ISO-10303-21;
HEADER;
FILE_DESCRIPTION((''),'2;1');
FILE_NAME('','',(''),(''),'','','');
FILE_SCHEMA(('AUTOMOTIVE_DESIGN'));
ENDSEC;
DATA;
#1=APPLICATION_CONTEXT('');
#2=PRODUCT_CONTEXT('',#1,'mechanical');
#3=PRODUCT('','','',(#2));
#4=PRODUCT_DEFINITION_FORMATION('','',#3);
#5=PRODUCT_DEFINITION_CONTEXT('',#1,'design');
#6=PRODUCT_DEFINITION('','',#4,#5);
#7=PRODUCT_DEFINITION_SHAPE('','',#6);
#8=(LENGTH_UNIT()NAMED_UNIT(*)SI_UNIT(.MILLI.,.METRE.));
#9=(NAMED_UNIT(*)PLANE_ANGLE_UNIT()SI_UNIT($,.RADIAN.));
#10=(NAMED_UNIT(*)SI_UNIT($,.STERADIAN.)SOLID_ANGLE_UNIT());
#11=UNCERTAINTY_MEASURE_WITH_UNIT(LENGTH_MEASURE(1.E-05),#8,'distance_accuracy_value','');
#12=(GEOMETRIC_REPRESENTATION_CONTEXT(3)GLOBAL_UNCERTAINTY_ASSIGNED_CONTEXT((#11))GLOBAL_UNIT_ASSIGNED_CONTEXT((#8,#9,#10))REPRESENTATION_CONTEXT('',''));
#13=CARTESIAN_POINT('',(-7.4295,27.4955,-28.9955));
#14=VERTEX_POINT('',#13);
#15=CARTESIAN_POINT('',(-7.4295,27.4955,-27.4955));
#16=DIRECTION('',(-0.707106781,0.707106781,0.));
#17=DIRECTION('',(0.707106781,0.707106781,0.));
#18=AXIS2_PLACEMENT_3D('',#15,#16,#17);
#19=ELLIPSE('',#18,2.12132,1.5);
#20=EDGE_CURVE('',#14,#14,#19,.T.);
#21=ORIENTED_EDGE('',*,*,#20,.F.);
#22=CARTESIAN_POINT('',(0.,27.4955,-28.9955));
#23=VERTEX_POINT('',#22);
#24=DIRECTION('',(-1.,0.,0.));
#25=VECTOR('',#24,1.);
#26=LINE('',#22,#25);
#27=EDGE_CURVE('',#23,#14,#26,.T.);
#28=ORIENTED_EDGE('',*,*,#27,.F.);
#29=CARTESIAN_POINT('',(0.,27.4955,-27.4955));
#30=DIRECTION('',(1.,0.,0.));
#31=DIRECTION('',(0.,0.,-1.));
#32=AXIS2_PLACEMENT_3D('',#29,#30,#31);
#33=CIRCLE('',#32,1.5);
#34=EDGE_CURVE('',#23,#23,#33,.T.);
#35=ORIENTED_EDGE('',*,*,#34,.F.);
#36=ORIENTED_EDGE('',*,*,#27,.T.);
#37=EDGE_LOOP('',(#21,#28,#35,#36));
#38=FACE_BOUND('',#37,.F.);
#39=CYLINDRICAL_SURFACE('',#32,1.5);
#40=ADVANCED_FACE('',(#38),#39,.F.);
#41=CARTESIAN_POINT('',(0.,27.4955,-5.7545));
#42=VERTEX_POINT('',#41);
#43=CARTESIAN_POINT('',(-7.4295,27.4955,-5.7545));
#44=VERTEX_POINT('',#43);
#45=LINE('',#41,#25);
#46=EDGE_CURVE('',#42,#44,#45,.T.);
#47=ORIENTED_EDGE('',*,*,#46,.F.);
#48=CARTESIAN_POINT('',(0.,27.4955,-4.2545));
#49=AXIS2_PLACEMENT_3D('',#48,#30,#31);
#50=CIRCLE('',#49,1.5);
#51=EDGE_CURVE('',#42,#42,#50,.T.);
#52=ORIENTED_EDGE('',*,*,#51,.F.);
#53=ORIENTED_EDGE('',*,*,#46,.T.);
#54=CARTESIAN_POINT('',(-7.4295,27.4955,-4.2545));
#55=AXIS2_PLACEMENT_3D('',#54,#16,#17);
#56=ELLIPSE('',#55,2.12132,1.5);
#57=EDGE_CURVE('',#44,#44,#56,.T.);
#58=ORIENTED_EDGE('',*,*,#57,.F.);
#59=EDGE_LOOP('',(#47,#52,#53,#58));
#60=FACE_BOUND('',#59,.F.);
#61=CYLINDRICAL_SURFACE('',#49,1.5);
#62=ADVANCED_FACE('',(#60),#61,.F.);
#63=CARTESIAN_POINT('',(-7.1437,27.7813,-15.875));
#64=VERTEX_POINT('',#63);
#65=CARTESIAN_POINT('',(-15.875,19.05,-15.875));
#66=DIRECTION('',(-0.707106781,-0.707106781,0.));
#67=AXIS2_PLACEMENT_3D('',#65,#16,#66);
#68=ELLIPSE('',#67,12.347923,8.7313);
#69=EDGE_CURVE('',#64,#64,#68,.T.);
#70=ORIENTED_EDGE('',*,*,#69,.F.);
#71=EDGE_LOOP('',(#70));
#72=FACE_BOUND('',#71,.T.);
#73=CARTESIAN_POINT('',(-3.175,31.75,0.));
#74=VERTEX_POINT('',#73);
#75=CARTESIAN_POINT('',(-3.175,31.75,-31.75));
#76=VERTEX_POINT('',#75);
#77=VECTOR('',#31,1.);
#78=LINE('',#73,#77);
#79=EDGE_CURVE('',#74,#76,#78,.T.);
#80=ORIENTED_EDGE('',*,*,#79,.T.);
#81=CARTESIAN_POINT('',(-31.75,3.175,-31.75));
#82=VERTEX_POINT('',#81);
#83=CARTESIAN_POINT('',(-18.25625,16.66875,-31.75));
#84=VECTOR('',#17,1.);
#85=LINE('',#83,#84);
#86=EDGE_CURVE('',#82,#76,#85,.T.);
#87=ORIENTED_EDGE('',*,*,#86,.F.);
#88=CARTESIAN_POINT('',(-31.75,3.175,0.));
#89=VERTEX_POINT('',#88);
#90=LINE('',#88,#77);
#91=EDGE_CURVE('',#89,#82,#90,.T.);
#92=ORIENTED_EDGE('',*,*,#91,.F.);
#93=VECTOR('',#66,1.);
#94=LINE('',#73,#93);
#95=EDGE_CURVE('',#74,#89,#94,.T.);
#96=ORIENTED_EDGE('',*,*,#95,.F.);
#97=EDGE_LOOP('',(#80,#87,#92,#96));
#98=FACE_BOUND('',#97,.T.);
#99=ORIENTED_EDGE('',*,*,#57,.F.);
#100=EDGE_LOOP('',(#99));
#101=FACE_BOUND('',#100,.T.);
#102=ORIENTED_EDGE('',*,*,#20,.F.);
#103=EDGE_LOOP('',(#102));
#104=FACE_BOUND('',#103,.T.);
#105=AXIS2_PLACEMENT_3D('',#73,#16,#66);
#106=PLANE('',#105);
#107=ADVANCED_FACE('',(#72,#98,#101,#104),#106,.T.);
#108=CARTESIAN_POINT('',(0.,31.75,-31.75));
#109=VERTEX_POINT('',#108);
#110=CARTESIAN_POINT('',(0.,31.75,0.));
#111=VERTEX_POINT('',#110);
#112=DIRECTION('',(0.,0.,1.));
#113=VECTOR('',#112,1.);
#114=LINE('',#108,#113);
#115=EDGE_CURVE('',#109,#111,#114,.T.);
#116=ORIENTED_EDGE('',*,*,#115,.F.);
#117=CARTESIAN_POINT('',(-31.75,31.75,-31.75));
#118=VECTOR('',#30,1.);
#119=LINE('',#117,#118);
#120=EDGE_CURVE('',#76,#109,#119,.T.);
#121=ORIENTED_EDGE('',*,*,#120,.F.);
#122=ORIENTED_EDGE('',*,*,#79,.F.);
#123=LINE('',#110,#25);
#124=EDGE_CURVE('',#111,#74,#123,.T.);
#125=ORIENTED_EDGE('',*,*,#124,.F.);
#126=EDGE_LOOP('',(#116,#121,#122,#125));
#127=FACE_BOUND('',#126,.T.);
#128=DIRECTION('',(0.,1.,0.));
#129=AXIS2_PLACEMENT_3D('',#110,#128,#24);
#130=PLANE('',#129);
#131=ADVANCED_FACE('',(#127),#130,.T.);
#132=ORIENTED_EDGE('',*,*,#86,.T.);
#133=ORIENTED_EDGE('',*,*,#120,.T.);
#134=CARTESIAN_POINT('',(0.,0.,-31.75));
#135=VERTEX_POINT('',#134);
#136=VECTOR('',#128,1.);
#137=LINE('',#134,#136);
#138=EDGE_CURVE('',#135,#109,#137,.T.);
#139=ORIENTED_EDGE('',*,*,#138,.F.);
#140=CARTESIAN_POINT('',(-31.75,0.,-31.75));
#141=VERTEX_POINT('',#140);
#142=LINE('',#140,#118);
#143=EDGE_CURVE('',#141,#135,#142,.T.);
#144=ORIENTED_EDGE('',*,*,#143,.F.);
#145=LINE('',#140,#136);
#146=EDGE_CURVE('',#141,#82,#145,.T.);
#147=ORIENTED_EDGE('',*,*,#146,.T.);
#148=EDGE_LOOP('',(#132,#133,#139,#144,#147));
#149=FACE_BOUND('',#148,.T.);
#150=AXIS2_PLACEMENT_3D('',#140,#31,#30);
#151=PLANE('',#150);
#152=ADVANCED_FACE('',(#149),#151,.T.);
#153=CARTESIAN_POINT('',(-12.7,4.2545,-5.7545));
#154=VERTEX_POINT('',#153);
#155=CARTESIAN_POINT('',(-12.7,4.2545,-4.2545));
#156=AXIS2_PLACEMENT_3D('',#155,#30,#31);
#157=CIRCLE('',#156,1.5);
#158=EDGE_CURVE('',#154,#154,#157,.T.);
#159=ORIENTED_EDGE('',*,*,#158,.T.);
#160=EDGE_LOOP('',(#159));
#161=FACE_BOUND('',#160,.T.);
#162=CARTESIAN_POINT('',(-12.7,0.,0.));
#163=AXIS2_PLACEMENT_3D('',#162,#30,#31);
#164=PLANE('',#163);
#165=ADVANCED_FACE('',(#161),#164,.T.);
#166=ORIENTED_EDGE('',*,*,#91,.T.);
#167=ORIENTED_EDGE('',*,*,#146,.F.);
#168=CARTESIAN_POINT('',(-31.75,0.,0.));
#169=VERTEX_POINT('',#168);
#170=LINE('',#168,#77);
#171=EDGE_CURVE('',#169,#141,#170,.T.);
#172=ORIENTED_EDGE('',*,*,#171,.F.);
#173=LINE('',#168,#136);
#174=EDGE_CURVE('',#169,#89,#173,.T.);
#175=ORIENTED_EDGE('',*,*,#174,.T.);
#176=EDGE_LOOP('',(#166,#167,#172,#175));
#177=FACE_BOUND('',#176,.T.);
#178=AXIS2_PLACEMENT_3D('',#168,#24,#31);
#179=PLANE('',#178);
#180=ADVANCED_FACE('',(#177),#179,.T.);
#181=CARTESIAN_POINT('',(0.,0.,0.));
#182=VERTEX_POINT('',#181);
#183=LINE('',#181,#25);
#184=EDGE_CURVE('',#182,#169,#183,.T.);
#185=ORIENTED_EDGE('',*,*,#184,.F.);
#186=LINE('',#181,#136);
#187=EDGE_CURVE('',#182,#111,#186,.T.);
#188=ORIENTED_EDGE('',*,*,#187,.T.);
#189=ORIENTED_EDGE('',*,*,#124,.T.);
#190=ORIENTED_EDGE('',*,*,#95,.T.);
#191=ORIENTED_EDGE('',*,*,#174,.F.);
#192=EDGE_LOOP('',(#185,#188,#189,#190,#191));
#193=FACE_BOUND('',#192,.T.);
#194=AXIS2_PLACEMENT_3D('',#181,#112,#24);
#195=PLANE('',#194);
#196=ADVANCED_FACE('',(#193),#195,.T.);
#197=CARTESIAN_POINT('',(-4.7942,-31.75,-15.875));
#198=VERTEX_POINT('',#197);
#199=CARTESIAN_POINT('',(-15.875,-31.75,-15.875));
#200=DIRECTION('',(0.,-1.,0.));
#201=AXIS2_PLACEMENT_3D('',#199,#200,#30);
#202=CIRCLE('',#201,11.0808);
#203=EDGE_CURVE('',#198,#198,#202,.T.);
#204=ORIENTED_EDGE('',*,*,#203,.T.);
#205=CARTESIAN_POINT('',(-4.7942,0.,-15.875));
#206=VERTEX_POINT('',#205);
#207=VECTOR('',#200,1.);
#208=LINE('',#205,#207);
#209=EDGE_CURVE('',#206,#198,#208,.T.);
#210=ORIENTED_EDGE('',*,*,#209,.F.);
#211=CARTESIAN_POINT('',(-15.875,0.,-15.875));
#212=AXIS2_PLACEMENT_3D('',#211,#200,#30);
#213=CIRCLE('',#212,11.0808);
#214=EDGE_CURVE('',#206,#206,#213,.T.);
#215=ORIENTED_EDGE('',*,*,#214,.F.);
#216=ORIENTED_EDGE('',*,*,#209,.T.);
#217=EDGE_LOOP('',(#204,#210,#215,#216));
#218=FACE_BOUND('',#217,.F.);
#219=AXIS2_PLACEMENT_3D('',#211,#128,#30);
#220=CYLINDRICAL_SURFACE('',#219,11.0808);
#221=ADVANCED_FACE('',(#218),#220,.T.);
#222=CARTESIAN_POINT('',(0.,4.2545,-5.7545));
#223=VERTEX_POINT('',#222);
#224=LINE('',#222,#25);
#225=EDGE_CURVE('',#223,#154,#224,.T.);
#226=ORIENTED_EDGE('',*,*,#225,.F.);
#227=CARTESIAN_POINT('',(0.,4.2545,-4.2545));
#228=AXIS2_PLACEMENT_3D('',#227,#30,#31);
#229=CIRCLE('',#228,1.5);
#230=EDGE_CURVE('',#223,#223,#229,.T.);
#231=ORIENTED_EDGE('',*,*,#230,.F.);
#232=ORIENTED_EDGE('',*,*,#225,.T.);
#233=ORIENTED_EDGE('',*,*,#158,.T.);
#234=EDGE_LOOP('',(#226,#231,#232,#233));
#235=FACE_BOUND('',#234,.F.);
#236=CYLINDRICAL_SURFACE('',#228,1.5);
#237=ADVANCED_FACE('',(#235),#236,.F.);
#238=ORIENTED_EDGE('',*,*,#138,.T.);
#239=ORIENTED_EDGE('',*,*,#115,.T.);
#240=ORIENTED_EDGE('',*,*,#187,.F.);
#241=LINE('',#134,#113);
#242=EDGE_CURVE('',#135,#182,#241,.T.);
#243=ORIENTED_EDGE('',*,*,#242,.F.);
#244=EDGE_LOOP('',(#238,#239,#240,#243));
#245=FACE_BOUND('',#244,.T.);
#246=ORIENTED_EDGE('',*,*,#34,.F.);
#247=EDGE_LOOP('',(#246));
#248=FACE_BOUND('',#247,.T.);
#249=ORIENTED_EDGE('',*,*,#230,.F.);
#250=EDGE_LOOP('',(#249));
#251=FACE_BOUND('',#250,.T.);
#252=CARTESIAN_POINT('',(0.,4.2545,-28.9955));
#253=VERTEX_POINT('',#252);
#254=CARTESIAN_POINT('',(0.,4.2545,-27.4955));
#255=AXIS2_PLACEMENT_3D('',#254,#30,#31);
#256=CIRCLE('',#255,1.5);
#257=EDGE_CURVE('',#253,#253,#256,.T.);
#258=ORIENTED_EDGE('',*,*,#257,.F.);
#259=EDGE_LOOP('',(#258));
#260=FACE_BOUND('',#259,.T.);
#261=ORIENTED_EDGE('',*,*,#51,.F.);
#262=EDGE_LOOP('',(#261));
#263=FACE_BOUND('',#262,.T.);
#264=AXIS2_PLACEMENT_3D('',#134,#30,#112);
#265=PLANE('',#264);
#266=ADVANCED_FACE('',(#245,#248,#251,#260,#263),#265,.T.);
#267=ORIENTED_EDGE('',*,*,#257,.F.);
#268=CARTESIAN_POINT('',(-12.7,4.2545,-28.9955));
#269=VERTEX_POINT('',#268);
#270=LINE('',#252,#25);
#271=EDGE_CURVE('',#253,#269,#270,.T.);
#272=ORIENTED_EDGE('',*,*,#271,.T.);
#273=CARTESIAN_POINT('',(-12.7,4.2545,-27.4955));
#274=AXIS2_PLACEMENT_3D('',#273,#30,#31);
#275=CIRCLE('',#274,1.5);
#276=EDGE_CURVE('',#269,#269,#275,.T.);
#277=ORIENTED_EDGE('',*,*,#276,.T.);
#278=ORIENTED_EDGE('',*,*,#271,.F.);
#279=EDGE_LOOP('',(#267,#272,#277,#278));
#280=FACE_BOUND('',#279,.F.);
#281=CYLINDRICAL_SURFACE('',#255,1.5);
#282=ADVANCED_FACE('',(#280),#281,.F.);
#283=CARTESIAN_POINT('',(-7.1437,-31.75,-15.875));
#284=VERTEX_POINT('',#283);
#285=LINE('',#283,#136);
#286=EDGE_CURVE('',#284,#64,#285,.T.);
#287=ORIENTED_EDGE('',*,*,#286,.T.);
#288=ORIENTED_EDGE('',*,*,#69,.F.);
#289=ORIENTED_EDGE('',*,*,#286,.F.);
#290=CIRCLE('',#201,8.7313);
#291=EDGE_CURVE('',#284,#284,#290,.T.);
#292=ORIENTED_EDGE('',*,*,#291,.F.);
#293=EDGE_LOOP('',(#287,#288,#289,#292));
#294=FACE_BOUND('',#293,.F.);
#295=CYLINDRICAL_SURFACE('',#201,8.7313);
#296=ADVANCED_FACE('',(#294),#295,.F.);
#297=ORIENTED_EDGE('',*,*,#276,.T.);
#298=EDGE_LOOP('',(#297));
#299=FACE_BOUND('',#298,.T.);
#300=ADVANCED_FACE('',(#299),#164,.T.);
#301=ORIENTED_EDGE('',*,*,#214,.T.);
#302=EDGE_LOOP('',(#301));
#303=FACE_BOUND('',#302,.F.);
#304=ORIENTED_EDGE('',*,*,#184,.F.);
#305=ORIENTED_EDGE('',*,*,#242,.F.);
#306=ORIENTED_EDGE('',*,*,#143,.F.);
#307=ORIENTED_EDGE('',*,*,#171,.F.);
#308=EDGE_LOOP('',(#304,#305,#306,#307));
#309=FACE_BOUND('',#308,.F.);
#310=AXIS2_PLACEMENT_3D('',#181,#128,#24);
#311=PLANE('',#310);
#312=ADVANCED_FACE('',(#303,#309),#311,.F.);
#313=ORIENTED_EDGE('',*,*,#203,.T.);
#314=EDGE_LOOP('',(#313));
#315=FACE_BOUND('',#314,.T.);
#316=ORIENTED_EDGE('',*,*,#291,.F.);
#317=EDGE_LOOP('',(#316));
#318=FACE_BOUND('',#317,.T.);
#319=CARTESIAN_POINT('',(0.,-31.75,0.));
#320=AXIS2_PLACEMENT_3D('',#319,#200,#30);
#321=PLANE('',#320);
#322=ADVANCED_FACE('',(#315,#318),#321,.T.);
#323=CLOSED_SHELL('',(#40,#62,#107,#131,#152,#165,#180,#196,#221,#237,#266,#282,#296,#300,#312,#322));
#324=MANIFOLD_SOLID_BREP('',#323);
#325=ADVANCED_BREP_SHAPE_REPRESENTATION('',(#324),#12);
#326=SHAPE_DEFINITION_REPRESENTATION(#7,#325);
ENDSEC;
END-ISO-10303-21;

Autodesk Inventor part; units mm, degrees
ref_plane "YZ Plane" through (0, 0, 0) normal (1, 0, 0) x (0, 1, 0)
ref_plane "XZ Plane" through (0, 0, 0) normal (0, 1, 0) x (-1, 0, 0)
ref_plane "XY Plane" through (0, 0, 0) normal (0, 0, 1) x (1, 0, 0)
sketch "Sketch2" plane through (0, 0, 0) normal (0, 1, 0) x (-1, 0, 0)
  line L0 (0, 0) -> (31.75, 0)
  line L1 (31.75, 0) -> (31.75, -31.75)
  line L2 (31.75, -31.75) -> (0, -31.75)
  line L3 (0, -31.75) -> (0, 0)
  dimension "d0" = 31.75
  dimension "d1" = 31.75
extrude "Extrusion1" add sketch "Sketch2" along normal blind 31.75
sketch "Sketch3" plane through (-31.75, 0, 0) normal (0, 0, 1) x (1, 0, 0)
  line L0 (0, 31.75) -> (31.75, 31.75) projected
  line L1 (28.575, 31.75) -> (0, 3.175)
  line L2 (0, 0) -> (0, 31.75) projected
  line L3 (28.575, 31.75) -> (68.9862, 31.75) construction
  line L4 (0, 0) -> (0, 31.75) projected
  line L5 (0, 31.75) -> (14.2875, 17.4625) construction
  point P0 (31.75, 0)
  dimension "d4" = 135
  dimension "d25" = 3.175
  dimension "d26" = 20.2056
extrude "Extrusion2" cut sketch "Sketch3" against normal blind 38.1
sketch "Sketch4" plane through (0, 0, 0) normal (0, -1, 0) x (1, 0, 0)
  line L0 (-31.75, 0) -> (0, -31.75) construction
  circle A0 centre (-15.875, -15.875) radius 11.0808
  point P0 (0, 0)
  dimension "d7" = 22.1615
extrude "Extrusion3" add sketch "Sketch4" along normal blind 31.75
sketch "Sketch5" plane through (-15.875, -31.75, -15.875) normal (0, -1, 0) x (1, 0, 0)
  circle A0 centre (0, 0) radius 8.7313
  circle A1 centre (0, 0) radius 11.0808 projected
  point P0 (15.875, 15.875)
  dimension "d35" = 17.4625
extrude "Extrusion4" cut sketch "Sketch5" against normal through all contours A0
sketch "Sketch6" plane through (0, 0, 0) normal (1, 0, 0) x (0, 0, -1)
  line L0 (0, 31.75) -> (31.75, 0) construction
  line L1 (4.2545, 4.2545) -> (27.4955, 4.2545) construction
  line L2 (27.4955, 4.2545) -> (27.4955, 27.4955) construction
  line L3 (27.4955, 27.4955) -> (4.2545, 27.4955) construction
  line L4 (4.2545, 27.4955) -> (4.2545, 4.2545) construction
  line L5 (4.2545, 4.2545) -> (27.4955, 27.4955) construction
  line L6 (27.4955, 4.2545) -> (4.2545, 27.4955) construction
  circle A0 centre (4.2545, 27.4955) radius 1.5
  circle A1 centre (4.2545, 4.2545) radius 1.5
  circle A2 centre (27.4955, 4.2545) radius 1.5
  circle A3 centre (27.4955, 27.4955) radius 1.5
  line L7 (0, 31.75) -> (31.75, 31.75) projected
  point P0 (0, 0)
  point P1 (15.875, 15.875)
  dimension "d15" = 23.241
  dimension "d16" = 23.241
  dimension "d17" = 3
  dimension "d20" = 360
  dimension "d24" = 4.2545
extrude "Extrusion5" cut sketch "Sketch6" against normal blind 12.7
thread "Thread1" size "M3x0.5" class "6H" standard "ANSI Metric M Profile" full length
thread "Thread2" size "M3x0.5" class "6H" standard "ANSI Metric M Profile" full length
thread "Thread3" size "M3x0.5" class "6H" standard "ANSI Metric M Profile" full length
thread "Thread4" size "M3x0.5" class "6H" standard "ANSI Metric M Profile" full length
properties part number "motormount" material "Aluminum 6061"
